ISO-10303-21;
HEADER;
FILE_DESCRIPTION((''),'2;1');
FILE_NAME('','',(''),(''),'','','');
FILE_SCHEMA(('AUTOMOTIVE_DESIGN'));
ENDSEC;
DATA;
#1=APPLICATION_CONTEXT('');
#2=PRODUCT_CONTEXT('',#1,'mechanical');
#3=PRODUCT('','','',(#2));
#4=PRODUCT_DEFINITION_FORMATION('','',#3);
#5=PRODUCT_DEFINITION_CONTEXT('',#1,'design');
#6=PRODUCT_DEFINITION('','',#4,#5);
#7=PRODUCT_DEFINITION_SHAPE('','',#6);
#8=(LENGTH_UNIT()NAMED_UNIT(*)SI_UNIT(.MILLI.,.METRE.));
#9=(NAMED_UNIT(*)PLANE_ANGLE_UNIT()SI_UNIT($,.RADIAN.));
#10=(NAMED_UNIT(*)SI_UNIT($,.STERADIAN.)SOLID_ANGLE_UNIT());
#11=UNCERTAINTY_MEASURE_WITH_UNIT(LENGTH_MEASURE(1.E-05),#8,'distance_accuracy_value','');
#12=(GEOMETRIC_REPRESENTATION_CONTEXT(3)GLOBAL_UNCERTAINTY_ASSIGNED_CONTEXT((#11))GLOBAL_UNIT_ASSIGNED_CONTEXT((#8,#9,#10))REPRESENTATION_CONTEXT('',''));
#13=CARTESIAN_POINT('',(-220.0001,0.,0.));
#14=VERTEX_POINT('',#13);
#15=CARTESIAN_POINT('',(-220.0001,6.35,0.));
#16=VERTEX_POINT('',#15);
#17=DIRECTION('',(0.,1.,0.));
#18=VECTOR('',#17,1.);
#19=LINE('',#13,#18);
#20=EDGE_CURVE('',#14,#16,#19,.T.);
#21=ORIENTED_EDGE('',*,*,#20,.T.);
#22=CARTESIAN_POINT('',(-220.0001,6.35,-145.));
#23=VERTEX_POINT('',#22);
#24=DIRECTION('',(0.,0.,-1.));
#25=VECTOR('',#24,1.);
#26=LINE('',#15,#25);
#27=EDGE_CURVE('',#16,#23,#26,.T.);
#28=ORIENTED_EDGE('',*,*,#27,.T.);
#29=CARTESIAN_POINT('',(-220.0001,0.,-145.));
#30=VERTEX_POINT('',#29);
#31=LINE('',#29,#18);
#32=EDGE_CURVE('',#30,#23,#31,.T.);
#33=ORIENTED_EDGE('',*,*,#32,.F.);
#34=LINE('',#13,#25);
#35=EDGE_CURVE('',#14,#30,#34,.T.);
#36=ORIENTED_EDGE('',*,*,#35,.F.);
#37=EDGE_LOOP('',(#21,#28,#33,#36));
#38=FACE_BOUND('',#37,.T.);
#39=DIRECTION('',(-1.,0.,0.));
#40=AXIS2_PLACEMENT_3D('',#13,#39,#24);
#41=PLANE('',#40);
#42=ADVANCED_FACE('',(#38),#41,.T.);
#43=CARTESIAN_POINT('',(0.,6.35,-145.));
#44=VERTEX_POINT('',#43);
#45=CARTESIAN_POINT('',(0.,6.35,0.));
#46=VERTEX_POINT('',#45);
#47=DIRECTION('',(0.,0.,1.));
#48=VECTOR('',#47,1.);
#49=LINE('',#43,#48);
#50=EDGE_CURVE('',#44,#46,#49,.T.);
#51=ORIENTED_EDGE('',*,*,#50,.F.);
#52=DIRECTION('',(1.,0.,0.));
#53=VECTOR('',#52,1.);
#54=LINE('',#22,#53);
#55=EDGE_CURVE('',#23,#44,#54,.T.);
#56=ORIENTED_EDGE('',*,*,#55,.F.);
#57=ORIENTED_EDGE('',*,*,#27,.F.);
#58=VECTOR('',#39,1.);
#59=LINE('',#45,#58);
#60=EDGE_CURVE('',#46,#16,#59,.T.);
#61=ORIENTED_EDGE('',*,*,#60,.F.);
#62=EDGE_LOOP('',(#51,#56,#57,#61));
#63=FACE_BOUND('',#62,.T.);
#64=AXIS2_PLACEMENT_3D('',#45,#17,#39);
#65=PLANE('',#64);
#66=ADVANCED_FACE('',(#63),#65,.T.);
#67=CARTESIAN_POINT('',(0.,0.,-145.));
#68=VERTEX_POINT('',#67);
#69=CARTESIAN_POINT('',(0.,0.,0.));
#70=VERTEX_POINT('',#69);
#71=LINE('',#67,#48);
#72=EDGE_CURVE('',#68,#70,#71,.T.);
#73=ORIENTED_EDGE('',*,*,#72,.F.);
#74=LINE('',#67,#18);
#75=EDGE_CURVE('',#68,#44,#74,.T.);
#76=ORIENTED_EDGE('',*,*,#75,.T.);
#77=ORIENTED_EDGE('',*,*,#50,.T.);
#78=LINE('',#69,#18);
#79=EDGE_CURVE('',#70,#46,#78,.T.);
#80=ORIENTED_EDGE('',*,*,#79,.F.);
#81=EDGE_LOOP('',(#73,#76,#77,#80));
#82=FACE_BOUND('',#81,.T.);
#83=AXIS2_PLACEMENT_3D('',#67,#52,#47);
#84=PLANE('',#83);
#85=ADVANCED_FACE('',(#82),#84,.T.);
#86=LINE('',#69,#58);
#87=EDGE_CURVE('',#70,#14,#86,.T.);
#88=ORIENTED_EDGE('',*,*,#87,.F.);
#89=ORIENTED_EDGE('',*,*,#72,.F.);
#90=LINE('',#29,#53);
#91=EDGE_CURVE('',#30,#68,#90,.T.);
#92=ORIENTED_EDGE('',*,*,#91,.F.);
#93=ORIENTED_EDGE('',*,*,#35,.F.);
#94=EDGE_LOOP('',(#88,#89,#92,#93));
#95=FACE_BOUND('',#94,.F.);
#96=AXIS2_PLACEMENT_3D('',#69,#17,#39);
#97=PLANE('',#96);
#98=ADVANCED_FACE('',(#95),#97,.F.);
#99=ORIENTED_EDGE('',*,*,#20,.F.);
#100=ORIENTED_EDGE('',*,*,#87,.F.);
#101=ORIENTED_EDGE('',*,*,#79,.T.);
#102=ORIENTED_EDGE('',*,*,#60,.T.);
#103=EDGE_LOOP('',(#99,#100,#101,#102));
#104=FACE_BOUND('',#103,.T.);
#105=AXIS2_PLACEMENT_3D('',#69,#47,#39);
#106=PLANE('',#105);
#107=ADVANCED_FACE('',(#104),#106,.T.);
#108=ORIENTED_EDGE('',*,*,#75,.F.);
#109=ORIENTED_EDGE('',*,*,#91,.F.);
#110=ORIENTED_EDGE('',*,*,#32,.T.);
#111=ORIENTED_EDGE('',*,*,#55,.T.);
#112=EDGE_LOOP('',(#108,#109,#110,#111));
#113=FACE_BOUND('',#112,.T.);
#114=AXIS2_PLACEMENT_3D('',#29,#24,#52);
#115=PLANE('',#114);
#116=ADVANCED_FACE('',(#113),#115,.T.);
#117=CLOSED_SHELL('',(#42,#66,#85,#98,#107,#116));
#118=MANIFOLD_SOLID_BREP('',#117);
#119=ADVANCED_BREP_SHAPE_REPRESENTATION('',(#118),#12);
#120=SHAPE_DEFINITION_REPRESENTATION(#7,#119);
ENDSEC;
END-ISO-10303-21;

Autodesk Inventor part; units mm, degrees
ref_plane "YZ Plane" through (0, 0, 0) normal (1, 0, 0) x (0, 1, 0)
ref_plane "XZ Plane" through (0, 0, 0) normal (0, 1, 0) x (-1, 0, 0)
ref_plane "XY Plane" through (0, 0, 0) normal (0, 0, 1) x (1, 0, 0)
sketch "Sketch1" plane through (0, 0, 0) normal (0, 1, 0) x (-1, 0, 0)
  line L0 (0, 0) -> (220.0001, 0)
  line L1 (220.0001, 0) -> (220.0001, -145)
  line L2 (220.0001, -145) -> (0, -145)
  line L3 (0, -145) -> (0, 0)
  dimension "d0" = 220.0001
  dimension "d1" = 145
extrude "Extrusion1" add sketch "Sketch1" along normal blind 6.35
sketch "Sketch4" plane through (0, 6.35, 0) normal (0, 1, 0) x (1, 0, 0)
  line L0 (0, 145) -> (-220.0001, 145) projected
  line L1 (-220.0001, 0) -> (0, 0) projected
  line L2 (0, 0) -> (0, 145) projected
  point P0 (-110, 113.5)
  point P1 (-110, 31.5)
  dimension "d24" = 31.5
  dimension "d25" = 31.5
  dimension "d26" = 110
  dimension "d27" = 110
equation "\"d25\" = d24"
properties part number "BS #2"
